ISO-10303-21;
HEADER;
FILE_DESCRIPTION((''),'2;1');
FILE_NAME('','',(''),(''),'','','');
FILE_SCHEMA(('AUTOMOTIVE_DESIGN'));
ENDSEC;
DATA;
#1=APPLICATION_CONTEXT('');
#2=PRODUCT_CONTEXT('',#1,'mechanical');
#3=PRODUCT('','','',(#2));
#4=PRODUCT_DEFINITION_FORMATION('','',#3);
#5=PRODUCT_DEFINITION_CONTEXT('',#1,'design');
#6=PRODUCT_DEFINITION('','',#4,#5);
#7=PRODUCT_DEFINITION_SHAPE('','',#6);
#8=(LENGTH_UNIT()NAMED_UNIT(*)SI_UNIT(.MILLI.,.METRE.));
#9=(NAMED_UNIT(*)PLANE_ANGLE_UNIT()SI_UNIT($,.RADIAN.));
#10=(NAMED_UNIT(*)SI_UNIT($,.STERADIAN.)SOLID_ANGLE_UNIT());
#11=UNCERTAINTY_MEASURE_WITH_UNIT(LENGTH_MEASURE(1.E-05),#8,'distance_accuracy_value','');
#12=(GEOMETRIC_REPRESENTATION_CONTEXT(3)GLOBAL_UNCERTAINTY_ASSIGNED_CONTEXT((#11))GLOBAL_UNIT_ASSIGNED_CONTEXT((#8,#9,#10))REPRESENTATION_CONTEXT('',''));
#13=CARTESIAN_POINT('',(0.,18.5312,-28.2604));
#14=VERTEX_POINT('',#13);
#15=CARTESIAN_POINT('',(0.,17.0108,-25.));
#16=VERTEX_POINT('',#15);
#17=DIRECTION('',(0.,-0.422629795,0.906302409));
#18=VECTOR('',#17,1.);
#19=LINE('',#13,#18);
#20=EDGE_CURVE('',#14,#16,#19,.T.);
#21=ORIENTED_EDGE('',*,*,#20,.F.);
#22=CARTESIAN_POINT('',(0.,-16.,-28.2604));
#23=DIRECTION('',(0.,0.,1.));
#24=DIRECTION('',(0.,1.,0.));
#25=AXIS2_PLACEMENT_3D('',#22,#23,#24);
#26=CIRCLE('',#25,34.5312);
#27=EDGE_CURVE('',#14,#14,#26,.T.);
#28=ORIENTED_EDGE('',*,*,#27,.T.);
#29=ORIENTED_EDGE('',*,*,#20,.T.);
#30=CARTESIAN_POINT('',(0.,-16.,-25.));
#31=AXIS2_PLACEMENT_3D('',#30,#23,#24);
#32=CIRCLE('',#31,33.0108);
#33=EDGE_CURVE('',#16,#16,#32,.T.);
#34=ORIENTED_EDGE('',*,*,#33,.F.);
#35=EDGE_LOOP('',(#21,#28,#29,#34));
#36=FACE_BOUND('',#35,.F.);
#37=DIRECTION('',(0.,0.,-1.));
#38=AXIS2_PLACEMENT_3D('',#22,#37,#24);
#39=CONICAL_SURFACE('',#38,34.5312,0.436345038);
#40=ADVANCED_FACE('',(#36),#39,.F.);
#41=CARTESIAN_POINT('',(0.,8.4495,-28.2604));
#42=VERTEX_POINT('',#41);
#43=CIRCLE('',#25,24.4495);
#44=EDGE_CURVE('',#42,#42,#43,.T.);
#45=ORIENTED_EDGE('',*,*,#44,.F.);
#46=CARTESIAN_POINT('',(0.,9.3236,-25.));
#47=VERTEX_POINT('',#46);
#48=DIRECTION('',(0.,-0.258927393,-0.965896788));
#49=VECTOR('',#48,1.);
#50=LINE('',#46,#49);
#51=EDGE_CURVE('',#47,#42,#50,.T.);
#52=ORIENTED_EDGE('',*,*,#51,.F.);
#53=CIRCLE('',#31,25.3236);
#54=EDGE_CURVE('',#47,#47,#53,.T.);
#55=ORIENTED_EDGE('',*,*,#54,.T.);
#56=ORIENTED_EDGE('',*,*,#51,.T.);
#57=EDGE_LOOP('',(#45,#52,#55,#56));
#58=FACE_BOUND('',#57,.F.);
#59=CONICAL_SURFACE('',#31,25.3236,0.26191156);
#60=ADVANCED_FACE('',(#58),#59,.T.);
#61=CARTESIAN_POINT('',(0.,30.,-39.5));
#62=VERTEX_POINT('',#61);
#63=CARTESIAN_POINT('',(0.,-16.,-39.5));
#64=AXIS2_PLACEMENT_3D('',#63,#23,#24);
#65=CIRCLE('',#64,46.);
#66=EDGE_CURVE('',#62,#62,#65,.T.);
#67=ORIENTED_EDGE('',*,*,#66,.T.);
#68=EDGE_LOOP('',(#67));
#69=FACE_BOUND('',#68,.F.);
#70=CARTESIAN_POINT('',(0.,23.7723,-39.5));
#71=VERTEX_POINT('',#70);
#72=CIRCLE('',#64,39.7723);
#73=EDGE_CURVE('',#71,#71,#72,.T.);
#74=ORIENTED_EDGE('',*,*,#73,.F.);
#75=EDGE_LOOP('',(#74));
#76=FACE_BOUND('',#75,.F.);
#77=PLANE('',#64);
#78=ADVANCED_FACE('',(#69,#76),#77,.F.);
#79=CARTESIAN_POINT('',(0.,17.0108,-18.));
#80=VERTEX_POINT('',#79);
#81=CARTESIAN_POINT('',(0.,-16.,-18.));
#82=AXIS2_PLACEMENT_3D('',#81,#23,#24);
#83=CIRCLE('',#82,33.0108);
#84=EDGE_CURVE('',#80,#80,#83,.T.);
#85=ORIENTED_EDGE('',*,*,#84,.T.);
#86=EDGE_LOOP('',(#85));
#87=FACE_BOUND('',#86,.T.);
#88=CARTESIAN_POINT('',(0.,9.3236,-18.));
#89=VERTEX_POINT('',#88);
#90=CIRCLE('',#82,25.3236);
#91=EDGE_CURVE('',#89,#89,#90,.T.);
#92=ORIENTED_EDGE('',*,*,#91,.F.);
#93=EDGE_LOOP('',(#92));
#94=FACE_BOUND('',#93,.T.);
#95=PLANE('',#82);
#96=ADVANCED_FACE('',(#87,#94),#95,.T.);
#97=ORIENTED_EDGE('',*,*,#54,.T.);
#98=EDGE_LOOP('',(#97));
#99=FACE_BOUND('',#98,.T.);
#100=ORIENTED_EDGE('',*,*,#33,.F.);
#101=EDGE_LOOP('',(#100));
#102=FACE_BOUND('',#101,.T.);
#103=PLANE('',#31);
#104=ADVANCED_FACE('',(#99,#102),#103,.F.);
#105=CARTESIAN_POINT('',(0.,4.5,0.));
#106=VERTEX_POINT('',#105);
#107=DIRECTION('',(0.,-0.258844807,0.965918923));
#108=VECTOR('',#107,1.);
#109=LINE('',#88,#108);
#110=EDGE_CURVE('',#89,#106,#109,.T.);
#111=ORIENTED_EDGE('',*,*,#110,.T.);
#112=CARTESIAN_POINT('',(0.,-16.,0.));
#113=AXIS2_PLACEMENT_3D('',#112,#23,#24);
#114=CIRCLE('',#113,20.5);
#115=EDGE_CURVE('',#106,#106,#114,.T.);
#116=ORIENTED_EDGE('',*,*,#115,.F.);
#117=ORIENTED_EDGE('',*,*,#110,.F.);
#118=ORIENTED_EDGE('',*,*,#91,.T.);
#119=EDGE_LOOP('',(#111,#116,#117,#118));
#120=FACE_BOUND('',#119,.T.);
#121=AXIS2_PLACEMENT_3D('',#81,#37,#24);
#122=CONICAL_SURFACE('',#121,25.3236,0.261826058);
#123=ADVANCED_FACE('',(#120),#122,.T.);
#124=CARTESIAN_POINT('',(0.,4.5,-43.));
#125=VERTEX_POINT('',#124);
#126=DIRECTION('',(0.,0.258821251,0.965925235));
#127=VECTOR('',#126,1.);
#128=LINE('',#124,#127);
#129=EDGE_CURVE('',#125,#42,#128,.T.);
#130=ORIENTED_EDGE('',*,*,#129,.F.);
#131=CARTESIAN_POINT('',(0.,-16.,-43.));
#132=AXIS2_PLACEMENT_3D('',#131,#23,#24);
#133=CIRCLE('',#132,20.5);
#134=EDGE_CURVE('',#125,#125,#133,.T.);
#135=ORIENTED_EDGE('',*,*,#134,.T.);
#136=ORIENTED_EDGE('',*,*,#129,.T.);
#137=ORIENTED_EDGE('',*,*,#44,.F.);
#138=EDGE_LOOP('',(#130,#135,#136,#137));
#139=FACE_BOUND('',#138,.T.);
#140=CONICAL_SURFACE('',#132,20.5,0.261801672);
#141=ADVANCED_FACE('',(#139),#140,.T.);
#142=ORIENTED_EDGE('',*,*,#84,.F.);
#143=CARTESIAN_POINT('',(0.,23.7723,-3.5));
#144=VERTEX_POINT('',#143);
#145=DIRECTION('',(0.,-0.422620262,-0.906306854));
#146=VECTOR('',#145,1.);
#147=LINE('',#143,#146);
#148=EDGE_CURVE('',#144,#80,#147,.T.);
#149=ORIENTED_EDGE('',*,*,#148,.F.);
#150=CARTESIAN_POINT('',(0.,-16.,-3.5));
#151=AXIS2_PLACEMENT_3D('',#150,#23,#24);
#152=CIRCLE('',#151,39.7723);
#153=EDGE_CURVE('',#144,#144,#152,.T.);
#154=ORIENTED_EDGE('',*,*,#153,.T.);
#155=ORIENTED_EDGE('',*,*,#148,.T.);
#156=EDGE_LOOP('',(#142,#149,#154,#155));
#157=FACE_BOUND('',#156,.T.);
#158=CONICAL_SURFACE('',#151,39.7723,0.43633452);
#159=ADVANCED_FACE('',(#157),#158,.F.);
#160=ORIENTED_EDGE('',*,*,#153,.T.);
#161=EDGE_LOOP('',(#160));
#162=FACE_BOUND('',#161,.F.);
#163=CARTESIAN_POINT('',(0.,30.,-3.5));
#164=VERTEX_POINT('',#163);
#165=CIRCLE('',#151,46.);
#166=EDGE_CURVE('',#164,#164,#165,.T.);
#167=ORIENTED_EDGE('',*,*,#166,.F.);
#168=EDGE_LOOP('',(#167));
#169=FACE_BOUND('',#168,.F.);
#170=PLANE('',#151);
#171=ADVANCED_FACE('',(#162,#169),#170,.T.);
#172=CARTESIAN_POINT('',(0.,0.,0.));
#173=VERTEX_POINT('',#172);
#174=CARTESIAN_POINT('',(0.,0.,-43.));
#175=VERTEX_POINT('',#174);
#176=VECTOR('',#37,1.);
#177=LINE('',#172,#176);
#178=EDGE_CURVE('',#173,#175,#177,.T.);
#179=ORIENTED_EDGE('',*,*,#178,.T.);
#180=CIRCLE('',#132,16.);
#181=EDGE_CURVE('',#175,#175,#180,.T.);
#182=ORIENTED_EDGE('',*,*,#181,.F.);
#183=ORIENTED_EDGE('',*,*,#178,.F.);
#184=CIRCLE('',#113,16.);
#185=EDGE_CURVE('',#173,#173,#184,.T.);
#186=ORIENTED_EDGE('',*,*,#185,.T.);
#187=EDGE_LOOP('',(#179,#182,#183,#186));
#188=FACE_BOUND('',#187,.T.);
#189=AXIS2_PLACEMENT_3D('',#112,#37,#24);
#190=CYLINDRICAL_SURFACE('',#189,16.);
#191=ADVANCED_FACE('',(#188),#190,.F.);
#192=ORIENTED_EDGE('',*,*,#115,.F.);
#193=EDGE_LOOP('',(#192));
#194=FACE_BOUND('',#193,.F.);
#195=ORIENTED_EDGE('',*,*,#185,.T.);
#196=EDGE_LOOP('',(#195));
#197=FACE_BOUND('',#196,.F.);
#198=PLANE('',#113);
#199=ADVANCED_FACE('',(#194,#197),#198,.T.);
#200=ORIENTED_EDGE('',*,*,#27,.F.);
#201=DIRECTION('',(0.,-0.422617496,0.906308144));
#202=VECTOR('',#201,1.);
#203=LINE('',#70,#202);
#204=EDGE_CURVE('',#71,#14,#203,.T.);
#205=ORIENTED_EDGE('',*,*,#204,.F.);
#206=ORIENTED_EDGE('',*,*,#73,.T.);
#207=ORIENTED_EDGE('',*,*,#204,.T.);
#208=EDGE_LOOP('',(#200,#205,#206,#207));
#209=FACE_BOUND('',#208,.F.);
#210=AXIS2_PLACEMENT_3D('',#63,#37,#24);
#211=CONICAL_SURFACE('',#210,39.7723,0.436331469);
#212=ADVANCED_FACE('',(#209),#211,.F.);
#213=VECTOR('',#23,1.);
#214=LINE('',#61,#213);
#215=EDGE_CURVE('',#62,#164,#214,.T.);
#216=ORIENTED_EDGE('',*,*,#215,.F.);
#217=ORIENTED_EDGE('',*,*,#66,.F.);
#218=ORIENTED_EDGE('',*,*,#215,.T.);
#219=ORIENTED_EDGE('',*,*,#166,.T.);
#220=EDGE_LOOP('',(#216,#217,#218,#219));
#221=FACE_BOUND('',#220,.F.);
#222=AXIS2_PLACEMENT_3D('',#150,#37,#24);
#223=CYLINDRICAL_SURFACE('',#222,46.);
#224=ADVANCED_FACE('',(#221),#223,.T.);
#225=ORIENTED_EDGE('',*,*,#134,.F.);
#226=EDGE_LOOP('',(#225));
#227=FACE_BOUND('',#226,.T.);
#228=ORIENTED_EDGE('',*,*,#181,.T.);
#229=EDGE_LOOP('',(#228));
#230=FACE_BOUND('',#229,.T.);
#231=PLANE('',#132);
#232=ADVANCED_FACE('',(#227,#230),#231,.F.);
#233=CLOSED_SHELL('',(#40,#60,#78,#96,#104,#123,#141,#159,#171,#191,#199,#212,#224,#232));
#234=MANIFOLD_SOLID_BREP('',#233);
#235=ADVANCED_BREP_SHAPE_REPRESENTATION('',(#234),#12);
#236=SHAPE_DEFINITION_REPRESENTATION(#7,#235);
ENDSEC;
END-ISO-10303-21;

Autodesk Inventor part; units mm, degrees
ref_plane "YZ Plane" through (0, 0, 0) normal (1, 0, 0) x (0, 1, 0)
ref_plane "XZ Plane" through (0, 0, 0) normal (0, 1, 0) x (-1, 0, 0)
ref_plane "XY Plane" through (0, 0, 0) normal (0, 0, 1) x (1, 0, 0)
sketch "Sketch1" plane through (0, 0, 0) normal (1, 0, 0) x (0, 1, 0)
  line L0 (0, 0) -> (0, -43)
  line L1 (0, -43) -> (4.5, -43)
  line L2 (0, 0) -> (4.5, 0)
  line L3 (4.5, 0) -> (0, 0)
  line L4 (0, 0) -> (30, 0)
  line L5 (30, 0) -> (25.5, 0)
  line L6 (25.5, 0) -> (30, 0)
  line L7 (30, 0) -> (30, -3.5)
  line L8 (30, -3.5) -> (30, -39.5)
  line L9 (30, -39.5) -> (30, -43)
  line L10 (23.7723, -3.5) -> (30, -3.5)
  line L11 (30, -39.5) -> (23.7723, -39.5)
  line L12 (23.7723, -39.5) -> (18.5312, -28.2604)
  line L13 (23.7723, -39.5) -> (36.1738, -39.5) construction
  line L14 (4.5, -43) -> (8.4495, -28.2604)
  line L15 (4.5, -43) -> (19.7596, -43) construction
  line L16 (0, 0) -> (0, -21.5)
  line L17 (0, -21.5) -> (30, -21.5)
  line L18 (18.5312, -28.2604) -> (17.0108, -25)
  line L19 (0, -21.5) -> (0, -21.5)
  line L20 (0, -21.5) -> (0, -25)
  line L21 (0, -25) -> (0, -18)
  line L22 (9.3236, -25) -> (17.0108, -25)
  line L23 (23.7723, -3.5) -> (17.0108, -18)
  line L24 (17.0108, -18) -> (9.3236, -18)
  line L25 (9.3236, -18) -> (4.5, 0)
  line L26 (9.3236, -25) -> (8.2254, -29.0967)
  line L27 (0, -43) -> (-16, -43)
  line L28 (-16, -43) -> (-16, -23.25)
  dimension "d0" = 43
  dimension "d1" = 4.5
  dimension "d2" = 4.5
  dimension "d3" = 30
  dimension "d4" = 4.5
  dimension "d5" = 3.5
  dimension "d6" = 36
  dimension "d7" = 3.5
  dimension "d8" = 115
  dimension "d9" = 75
  dimension "d11" = 21.5
  dimension "d12" = 0
  dimension "d13" = 3.5
  dimension "d14" = 7
  dimension "d29" = 25
  dimension "d30" = 25
  dimension "d31" = 15.006
  dimension "d32" = 15.001
  dimension "d33" = 14.5
  dimension "d34" = 3.5
  dimension "d35" = 4.8516
  dimension "d36" = 23.0242
  dimension "d37" = 15.4786
  dimension "d38" = 6.1738
  dimension "d39" = 10.2404
  dimension "d40" = 16
sketch "Sketch2" plane through (0, 0, 0) normal (0, 1, 0) x (-1, 0, 0)
  point P0 (0, 0)
sketch "Sketch3" plane through (0, 0, 0) normal (1, 0, 0) x (0, 1, 0)
  line L0 (-16, -42.9893) -> (-16, -42.9893)
  line L1 (0, 0) -> (0, -42.9893)
  line L2 (0, -42.9893) -> (-16, -42.9893)
  dimension "d16" = 0
sketch "Sketch4" plane through (0, 0, 0) normal (1, 0, 0) x (0, 1, 0)
  line L0 (-16, 5.5421) -> (-16, 5.5421)
  line L1 (-16, -17.3048) -> (-16, -42.7531)
  point P0 (0, 0)
  dimension "d17" = 0
revolve "Revolution1" add sketch "Sketch1" angle 360 about axis through (0, -16, -43) along (0, 0, 1) contours L2 L25 L24 L23 L10 L8 L17 L0 | L17 L8 L11 L12 L18 L22 L26 L14 L1 L0
properties material "Iron, Cast"
